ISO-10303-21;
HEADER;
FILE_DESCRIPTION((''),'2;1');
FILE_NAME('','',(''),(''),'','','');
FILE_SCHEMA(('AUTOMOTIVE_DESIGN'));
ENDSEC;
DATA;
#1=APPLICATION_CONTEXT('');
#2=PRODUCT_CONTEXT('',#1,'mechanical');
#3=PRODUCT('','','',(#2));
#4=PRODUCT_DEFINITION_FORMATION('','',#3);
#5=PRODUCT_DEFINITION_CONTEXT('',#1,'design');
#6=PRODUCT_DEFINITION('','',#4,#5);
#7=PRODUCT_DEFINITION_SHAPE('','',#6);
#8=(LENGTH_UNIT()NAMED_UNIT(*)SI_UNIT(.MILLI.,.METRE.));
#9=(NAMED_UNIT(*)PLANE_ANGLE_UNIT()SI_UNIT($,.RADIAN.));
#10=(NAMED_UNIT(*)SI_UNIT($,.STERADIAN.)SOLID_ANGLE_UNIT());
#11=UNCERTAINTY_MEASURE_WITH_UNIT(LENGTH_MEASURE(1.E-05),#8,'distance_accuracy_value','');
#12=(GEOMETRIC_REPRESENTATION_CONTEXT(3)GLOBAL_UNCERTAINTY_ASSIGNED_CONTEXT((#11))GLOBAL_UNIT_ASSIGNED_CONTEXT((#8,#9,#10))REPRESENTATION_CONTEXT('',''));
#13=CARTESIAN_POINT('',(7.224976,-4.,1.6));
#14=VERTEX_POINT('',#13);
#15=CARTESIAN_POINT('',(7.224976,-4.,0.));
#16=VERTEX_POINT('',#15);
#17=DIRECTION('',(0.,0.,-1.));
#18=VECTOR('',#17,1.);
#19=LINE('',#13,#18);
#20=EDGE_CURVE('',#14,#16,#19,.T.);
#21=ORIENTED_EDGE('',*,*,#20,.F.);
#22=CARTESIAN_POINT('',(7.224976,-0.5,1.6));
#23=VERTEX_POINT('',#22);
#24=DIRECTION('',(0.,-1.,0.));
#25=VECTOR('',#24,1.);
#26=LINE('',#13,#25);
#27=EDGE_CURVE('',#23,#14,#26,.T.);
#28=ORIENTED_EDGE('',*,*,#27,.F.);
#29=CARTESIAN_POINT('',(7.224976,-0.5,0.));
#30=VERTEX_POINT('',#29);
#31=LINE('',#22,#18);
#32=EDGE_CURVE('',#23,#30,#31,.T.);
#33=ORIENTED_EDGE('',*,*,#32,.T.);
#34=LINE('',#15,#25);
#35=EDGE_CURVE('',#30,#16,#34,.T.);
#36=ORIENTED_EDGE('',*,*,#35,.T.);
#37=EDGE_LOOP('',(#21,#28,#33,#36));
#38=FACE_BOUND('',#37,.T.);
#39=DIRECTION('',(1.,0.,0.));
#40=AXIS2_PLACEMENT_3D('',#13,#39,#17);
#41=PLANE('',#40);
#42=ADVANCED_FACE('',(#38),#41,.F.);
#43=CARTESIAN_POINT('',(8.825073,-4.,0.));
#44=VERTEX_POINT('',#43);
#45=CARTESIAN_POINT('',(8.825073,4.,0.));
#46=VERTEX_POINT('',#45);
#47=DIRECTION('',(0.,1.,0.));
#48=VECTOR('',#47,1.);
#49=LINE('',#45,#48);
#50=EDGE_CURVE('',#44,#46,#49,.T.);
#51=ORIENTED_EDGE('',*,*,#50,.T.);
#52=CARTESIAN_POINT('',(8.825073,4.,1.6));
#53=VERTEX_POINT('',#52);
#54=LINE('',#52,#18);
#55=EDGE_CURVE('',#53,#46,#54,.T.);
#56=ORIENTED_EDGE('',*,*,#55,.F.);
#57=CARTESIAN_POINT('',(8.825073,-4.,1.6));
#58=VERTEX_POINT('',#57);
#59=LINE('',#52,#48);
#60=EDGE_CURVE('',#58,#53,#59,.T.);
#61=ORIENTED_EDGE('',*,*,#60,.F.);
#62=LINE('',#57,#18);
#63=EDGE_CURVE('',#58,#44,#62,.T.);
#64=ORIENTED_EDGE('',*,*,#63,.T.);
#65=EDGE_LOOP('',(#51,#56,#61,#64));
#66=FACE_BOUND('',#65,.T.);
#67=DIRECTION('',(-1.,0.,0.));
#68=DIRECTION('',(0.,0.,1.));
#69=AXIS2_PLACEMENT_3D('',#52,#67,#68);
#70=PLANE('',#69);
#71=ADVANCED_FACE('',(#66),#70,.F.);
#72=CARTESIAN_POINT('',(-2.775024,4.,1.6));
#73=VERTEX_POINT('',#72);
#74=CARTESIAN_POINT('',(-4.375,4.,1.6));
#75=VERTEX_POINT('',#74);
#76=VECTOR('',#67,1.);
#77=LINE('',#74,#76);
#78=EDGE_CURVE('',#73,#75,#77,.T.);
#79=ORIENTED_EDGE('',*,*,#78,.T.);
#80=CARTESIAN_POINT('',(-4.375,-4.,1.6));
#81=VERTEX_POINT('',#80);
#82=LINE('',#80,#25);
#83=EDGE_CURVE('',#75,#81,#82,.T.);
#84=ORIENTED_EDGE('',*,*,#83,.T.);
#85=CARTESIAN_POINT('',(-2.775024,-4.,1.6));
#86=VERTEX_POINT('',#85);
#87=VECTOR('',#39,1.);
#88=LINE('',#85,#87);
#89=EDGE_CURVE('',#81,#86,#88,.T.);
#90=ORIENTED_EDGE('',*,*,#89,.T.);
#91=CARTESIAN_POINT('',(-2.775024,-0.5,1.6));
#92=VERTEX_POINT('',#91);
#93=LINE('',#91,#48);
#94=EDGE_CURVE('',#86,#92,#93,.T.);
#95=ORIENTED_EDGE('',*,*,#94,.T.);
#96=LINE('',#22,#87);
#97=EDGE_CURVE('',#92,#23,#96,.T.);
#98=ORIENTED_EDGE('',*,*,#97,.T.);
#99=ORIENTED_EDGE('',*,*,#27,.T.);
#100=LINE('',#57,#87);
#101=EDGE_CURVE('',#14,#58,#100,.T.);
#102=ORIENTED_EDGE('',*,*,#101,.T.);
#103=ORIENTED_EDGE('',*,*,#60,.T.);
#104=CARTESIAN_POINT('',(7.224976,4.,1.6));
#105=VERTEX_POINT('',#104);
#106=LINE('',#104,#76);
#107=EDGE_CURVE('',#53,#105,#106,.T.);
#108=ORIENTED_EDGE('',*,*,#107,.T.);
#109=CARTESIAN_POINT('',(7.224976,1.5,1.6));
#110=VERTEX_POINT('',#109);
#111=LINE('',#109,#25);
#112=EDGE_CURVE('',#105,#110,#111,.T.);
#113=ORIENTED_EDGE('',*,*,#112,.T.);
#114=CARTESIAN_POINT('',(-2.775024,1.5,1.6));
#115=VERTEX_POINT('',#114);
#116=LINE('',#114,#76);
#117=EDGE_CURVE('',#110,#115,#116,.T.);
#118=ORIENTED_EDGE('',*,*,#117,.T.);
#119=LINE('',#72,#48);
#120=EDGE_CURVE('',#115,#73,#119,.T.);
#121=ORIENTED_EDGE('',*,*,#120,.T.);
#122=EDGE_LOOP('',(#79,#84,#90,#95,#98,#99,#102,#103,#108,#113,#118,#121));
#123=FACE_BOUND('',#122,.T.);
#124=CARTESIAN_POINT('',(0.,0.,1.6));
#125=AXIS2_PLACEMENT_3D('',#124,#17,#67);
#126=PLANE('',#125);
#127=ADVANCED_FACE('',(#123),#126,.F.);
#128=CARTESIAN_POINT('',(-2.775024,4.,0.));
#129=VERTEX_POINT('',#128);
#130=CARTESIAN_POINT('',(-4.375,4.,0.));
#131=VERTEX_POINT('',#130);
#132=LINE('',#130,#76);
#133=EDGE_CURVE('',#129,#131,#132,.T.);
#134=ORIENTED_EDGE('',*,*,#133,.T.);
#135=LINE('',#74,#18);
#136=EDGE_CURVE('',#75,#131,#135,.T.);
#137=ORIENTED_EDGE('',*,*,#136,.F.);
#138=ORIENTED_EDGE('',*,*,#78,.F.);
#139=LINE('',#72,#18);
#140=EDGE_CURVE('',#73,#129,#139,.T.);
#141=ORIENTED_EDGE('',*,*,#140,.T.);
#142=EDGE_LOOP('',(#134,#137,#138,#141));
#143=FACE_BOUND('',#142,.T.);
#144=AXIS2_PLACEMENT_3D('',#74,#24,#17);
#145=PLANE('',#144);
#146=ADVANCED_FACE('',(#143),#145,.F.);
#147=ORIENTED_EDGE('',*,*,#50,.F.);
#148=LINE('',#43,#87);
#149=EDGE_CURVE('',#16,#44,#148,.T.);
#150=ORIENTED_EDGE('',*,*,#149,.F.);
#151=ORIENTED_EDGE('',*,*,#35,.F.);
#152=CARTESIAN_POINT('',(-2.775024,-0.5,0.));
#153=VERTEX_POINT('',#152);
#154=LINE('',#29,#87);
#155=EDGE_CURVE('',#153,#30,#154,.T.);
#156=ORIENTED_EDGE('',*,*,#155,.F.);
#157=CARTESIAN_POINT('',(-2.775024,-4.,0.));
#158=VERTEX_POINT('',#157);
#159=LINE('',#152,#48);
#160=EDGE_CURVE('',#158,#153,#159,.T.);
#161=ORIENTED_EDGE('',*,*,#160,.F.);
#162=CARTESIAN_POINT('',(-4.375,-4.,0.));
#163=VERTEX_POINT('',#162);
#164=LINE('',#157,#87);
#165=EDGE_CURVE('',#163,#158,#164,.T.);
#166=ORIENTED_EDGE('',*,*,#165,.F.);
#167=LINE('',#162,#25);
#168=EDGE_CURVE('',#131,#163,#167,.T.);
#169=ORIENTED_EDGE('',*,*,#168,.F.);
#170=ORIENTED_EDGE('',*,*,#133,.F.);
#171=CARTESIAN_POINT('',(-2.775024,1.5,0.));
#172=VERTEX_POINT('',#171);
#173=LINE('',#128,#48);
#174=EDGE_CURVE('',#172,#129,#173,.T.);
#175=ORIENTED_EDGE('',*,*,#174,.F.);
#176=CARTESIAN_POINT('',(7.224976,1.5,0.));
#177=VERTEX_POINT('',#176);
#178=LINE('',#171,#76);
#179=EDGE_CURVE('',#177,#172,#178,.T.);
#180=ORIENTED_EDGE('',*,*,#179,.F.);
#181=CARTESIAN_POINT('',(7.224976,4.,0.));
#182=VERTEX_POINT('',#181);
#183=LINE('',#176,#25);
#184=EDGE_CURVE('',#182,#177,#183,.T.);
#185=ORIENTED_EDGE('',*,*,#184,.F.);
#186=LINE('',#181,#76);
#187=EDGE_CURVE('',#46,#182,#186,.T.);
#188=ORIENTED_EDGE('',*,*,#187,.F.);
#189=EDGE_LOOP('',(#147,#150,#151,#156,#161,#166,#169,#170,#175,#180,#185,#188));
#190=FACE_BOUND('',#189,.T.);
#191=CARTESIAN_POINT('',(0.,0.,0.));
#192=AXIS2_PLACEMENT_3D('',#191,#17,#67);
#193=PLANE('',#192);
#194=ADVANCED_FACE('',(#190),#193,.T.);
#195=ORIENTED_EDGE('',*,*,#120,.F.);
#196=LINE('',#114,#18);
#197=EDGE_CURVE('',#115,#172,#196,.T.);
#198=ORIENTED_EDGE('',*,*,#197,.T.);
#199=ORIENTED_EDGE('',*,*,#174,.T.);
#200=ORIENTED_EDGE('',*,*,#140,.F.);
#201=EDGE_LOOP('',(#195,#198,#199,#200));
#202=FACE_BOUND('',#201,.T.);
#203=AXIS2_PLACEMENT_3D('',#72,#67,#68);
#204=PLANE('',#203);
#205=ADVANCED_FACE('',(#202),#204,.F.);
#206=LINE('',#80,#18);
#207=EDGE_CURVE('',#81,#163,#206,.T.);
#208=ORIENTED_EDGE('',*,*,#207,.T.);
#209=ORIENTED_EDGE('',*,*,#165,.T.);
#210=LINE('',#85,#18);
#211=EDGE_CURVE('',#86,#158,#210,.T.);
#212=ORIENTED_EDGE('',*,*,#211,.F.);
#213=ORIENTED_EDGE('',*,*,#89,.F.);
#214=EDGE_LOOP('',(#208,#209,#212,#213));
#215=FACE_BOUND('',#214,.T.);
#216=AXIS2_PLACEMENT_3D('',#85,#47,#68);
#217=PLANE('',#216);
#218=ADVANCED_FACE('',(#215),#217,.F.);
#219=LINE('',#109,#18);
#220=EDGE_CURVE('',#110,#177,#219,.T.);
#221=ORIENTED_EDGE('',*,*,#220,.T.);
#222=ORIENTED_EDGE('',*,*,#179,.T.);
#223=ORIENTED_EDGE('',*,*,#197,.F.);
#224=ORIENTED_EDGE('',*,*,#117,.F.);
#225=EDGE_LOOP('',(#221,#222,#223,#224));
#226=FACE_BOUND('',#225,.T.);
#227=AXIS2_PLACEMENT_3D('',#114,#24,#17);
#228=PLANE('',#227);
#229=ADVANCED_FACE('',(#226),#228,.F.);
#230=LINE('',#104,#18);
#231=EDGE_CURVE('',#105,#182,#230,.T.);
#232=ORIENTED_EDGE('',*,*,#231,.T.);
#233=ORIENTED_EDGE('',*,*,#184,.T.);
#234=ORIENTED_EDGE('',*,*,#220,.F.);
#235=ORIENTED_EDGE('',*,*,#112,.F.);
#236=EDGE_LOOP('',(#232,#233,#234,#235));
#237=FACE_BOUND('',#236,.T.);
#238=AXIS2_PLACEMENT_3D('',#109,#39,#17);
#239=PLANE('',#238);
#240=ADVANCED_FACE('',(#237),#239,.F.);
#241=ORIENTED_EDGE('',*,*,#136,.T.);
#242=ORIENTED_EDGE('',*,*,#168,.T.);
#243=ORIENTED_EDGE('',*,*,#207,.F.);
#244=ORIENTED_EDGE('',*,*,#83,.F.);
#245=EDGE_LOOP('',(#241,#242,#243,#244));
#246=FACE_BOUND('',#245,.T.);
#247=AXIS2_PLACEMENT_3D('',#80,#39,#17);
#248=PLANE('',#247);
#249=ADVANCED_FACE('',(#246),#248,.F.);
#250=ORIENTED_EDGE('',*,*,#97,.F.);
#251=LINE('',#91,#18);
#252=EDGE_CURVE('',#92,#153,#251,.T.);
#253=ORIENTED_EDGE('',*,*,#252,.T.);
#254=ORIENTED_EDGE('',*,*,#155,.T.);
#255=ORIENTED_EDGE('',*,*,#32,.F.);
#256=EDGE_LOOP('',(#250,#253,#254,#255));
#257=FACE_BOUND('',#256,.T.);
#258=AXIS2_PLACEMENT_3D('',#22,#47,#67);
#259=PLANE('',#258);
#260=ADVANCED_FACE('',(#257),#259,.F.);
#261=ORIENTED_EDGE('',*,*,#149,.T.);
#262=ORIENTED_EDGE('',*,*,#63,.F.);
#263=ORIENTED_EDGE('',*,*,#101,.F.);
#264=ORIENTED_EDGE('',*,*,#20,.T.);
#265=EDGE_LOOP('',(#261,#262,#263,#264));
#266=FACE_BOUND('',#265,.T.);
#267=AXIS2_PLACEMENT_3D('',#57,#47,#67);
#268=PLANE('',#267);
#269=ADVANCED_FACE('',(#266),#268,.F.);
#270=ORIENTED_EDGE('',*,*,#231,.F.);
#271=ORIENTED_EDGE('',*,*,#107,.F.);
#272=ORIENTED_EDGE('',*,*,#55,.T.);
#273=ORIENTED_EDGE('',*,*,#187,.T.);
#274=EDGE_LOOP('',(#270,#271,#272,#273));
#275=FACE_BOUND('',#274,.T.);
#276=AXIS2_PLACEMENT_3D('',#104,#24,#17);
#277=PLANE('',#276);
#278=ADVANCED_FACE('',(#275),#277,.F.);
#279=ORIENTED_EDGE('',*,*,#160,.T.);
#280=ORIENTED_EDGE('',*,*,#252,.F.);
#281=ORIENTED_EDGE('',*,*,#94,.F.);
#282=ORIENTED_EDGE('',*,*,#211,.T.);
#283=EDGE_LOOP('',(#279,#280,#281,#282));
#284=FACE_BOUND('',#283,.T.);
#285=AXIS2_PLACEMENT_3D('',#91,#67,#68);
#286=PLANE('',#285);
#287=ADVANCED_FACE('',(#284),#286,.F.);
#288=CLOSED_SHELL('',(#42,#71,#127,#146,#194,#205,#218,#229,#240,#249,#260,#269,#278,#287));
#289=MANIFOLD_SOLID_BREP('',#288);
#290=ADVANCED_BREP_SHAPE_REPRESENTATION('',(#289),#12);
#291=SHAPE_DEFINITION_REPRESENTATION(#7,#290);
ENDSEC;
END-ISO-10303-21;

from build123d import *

# Parameters (mm, degrees)
BOSS_EXTRUDE1_DEPTH = 1.6


with BuildPart() as part:
    # Sketch1 → Boss-Extrude1 (new body)
    with BuildSketch(Plane.XY):
        Polygon((8.825073242, 4), (8.825073242, -4), (7.224975586, -4), (7.224975586, -0.5), (-2.775024414, -0.5), (-2.775024414, -4), (-4.375, -4), (-4.375, 4), (-2.775024414, 4), (-2.775024414, 1.5), (7.224975586, 1.5), (7.224975586, 4), align=None)
    extrude(amount=BOSS_EXTRUDE1_DEPTH)


solid = part.part
